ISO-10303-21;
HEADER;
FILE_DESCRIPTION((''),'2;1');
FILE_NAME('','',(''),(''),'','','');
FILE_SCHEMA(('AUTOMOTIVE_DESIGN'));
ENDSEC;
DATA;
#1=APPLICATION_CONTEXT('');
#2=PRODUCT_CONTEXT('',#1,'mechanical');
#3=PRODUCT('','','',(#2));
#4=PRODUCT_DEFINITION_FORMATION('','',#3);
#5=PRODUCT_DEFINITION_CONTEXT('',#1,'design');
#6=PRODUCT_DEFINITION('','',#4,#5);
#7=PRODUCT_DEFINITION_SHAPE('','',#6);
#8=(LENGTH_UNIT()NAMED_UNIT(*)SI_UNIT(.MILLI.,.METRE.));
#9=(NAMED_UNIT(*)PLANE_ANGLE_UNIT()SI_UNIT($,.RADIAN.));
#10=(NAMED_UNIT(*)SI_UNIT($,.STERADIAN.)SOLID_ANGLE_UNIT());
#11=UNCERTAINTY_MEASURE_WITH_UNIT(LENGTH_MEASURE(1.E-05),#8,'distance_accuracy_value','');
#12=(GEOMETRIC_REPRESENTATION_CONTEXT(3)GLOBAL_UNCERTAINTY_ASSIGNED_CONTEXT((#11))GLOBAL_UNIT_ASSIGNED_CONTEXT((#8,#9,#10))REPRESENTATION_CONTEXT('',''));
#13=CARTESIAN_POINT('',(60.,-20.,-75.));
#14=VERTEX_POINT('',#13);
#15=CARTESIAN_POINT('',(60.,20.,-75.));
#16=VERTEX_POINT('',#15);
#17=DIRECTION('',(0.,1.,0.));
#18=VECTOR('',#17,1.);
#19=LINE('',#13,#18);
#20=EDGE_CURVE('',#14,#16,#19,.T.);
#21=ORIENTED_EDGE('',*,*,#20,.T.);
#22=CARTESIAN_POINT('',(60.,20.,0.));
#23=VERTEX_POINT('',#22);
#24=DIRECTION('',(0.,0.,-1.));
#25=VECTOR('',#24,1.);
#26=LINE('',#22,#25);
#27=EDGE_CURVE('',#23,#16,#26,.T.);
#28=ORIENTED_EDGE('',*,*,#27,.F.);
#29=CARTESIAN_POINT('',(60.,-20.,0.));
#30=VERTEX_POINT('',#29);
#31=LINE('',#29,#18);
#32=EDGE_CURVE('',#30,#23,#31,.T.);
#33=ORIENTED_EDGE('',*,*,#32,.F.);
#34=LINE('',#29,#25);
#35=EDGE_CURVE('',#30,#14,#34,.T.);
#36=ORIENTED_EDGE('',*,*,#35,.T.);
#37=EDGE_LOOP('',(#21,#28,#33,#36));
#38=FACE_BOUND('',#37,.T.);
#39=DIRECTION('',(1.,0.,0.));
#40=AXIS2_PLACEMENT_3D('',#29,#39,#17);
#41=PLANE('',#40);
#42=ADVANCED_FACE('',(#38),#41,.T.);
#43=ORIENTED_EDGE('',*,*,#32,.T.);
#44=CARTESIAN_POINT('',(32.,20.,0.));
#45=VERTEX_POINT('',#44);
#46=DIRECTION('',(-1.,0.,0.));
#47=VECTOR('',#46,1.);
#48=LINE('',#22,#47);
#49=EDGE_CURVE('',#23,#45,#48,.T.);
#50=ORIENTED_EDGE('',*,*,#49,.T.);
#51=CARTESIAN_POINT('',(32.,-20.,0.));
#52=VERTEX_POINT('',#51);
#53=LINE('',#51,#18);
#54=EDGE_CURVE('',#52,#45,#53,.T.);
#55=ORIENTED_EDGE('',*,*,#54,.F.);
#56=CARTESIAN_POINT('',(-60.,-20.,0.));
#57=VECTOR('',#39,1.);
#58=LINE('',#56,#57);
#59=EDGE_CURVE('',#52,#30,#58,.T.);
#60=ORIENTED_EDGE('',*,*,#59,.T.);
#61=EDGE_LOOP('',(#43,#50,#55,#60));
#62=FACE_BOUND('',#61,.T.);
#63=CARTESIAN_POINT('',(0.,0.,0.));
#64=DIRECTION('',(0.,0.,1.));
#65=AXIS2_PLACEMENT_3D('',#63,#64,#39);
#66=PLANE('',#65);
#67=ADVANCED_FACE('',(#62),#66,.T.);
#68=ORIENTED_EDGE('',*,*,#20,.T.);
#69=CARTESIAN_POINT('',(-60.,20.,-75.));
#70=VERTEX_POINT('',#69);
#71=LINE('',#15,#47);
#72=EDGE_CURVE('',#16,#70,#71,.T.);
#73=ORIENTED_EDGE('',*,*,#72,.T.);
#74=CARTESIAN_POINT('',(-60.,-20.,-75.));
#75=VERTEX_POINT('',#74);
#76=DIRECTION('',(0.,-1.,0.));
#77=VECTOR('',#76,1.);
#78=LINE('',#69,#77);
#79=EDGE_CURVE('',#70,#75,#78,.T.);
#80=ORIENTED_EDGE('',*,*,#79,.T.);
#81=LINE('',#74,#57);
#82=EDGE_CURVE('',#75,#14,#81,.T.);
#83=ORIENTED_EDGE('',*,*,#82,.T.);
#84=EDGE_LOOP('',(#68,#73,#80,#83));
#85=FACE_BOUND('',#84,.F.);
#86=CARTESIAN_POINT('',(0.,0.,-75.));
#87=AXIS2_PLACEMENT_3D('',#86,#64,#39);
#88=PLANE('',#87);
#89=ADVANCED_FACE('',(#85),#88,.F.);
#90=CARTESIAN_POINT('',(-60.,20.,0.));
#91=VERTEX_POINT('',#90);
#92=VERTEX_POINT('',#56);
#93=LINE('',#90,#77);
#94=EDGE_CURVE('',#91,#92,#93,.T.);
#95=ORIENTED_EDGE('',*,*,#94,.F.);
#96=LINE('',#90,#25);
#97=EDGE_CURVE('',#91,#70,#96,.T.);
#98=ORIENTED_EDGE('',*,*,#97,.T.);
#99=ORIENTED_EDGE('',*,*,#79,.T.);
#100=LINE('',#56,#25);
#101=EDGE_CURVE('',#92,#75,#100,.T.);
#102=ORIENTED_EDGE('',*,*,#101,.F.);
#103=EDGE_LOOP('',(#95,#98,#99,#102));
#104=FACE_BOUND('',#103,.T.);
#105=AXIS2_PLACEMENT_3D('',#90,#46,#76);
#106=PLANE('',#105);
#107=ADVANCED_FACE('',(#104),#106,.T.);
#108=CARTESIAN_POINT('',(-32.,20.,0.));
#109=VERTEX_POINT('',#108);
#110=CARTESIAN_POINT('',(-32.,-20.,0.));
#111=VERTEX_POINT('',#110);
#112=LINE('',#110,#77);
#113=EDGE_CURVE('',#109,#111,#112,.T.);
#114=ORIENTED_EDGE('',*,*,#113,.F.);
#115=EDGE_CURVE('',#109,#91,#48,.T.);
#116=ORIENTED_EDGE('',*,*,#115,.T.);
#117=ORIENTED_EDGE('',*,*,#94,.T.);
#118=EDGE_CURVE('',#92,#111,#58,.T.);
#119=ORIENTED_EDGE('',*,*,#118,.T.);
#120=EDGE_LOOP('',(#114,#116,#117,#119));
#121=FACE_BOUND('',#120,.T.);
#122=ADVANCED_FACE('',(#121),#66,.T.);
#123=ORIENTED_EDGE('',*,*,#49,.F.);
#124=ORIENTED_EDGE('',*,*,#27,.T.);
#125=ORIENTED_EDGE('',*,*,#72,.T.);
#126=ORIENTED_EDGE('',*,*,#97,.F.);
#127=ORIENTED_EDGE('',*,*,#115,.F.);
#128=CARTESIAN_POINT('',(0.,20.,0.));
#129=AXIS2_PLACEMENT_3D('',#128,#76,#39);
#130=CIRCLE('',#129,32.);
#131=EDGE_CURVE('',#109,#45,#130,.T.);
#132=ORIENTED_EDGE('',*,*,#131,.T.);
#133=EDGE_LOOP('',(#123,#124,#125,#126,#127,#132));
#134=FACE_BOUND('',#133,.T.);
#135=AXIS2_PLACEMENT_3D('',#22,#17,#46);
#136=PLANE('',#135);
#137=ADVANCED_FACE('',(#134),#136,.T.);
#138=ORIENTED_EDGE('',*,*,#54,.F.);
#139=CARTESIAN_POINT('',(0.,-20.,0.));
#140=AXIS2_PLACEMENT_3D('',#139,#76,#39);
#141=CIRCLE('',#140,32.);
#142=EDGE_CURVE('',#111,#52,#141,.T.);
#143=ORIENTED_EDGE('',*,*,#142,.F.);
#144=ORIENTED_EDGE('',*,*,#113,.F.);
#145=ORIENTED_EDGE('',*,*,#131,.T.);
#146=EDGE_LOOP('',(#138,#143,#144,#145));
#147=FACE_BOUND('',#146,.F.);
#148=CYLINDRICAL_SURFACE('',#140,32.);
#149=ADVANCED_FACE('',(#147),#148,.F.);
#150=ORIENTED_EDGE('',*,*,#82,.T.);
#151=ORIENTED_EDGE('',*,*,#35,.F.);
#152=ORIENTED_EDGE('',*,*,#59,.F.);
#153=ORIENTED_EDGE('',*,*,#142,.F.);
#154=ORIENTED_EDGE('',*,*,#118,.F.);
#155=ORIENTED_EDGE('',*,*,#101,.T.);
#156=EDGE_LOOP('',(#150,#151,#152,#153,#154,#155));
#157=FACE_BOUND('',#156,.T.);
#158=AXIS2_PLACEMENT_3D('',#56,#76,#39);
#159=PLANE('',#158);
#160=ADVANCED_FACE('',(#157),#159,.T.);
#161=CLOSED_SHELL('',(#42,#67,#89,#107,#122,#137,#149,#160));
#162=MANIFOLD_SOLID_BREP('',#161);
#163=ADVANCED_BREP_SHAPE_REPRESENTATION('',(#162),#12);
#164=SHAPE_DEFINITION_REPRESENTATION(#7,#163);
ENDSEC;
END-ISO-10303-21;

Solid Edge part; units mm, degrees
sketch "Sketch1" plane through (0, 0, 0) normal (0, 0, 1) x (1, 0, 0)
  line L0 (-60, -20) -> (60, -20)
  line L1 (60, -20) -> (60, 20)
  line L2 (60, 20) -> (-60, 20)
  line L3 (-60, 20) -> (-60, -20)
extrude "Protrusion1" add sketch "Sketch1" against normal blind 75
sketch "Sketch2" plane through (0, -20, -37.5) normal (0, -1, 0) x (1, 0, 0)
  circle A0 centre (0, 37.5) radius 32
extrude "Recorte_Extrudado_1" cut sketch "Sketch2" against normal blind 40
